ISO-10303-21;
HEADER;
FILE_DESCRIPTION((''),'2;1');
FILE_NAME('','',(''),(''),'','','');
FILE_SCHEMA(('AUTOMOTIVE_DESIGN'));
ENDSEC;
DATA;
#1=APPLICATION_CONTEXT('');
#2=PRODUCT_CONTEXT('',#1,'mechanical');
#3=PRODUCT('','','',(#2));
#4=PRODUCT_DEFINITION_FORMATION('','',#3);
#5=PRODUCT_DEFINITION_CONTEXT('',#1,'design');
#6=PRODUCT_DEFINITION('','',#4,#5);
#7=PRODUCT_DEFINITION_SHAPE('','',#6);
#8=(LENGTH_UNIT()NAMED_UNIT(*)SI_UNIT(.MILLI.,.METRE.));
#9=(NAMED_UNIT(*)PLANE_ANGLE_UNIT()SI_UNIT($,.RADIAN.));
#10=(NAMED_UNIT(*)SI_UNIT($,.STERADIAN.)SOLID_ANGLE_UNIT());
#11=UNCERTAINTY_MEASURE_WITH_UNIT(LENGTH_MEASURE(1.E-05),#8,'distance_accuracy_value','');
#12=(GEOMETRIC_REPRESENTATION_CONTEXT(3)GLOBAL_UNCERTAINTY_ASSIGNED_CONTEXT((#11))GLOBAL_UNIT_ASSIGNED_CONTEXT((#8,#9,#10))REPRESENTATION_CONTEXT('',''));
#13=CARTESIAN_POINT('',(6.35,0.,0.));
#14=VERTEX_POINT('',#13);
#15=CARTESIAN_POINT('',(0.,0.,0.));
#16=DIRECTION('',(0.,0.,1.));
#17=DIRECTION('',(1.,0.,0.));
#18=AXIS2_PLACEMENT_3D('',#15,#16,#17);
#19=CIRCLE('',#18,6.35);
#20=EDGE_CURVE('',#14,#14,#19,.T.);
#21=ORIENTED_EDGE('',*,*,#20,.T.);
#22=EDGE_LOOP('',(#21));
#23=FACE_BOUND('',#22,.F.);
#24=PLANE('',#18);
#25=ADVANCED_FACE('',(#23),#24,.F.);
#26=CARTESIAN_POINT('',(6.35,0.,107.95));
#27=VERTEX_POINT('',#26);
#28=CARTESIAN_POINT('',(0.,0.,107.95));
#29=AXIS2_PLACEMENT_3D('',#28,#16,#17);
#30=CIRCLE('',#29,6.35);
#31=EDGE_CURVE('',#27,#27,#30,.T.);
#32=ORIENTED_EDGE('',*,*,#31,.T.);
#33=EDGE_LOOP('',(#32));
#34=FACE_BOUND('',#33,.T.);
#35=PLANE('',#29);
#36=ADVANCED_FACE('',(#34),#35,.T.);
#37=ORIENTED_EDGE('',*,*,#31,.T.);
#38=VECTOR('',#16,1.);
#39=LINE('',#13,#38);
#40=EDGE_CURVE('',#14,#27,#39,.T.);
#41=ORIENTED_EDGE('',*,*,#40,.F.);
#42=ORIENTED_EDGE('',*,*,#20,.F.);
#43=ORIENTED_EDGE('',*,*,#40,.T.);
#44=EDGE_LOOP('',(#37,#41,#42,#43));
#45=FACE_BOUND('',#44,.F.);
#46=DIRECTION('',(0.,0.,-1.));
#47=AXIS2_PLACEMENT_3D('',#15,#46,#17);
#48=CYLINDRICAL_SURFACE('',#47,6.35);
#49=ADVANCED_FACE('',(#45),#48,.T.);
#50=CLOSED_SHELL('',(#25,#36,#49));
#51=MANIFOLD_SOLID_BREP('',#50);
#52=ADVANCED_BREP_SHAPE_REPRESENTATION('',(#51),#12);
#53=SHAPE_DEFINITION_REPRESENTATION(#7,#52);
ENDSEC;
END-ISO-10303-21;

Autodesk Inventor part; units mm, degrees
ref_plane "YZ Plane" through (0, 0, 0) normal (1, 0, 0) x (0, 1, 0)
ref_plane "XZ Plane" through (0, 0, 0) normal (0, 1, 0) x (-1, 0, 0)
ref_plane "XY Plane" through (0, 0, 0) normal (0, 0, 1) x (1, 0, 0)
sketch "Sketch1" plane through (0, 0, 0) normal (0, 0, 1) x (1, 0, 0)
  circle A0 centre (0, 0) radius 6.35
  dimension "d0" = 12.7
extrude "Extrusion1" add sketch "Sketch1" along normal blind 107.95
properties part number "axle"
